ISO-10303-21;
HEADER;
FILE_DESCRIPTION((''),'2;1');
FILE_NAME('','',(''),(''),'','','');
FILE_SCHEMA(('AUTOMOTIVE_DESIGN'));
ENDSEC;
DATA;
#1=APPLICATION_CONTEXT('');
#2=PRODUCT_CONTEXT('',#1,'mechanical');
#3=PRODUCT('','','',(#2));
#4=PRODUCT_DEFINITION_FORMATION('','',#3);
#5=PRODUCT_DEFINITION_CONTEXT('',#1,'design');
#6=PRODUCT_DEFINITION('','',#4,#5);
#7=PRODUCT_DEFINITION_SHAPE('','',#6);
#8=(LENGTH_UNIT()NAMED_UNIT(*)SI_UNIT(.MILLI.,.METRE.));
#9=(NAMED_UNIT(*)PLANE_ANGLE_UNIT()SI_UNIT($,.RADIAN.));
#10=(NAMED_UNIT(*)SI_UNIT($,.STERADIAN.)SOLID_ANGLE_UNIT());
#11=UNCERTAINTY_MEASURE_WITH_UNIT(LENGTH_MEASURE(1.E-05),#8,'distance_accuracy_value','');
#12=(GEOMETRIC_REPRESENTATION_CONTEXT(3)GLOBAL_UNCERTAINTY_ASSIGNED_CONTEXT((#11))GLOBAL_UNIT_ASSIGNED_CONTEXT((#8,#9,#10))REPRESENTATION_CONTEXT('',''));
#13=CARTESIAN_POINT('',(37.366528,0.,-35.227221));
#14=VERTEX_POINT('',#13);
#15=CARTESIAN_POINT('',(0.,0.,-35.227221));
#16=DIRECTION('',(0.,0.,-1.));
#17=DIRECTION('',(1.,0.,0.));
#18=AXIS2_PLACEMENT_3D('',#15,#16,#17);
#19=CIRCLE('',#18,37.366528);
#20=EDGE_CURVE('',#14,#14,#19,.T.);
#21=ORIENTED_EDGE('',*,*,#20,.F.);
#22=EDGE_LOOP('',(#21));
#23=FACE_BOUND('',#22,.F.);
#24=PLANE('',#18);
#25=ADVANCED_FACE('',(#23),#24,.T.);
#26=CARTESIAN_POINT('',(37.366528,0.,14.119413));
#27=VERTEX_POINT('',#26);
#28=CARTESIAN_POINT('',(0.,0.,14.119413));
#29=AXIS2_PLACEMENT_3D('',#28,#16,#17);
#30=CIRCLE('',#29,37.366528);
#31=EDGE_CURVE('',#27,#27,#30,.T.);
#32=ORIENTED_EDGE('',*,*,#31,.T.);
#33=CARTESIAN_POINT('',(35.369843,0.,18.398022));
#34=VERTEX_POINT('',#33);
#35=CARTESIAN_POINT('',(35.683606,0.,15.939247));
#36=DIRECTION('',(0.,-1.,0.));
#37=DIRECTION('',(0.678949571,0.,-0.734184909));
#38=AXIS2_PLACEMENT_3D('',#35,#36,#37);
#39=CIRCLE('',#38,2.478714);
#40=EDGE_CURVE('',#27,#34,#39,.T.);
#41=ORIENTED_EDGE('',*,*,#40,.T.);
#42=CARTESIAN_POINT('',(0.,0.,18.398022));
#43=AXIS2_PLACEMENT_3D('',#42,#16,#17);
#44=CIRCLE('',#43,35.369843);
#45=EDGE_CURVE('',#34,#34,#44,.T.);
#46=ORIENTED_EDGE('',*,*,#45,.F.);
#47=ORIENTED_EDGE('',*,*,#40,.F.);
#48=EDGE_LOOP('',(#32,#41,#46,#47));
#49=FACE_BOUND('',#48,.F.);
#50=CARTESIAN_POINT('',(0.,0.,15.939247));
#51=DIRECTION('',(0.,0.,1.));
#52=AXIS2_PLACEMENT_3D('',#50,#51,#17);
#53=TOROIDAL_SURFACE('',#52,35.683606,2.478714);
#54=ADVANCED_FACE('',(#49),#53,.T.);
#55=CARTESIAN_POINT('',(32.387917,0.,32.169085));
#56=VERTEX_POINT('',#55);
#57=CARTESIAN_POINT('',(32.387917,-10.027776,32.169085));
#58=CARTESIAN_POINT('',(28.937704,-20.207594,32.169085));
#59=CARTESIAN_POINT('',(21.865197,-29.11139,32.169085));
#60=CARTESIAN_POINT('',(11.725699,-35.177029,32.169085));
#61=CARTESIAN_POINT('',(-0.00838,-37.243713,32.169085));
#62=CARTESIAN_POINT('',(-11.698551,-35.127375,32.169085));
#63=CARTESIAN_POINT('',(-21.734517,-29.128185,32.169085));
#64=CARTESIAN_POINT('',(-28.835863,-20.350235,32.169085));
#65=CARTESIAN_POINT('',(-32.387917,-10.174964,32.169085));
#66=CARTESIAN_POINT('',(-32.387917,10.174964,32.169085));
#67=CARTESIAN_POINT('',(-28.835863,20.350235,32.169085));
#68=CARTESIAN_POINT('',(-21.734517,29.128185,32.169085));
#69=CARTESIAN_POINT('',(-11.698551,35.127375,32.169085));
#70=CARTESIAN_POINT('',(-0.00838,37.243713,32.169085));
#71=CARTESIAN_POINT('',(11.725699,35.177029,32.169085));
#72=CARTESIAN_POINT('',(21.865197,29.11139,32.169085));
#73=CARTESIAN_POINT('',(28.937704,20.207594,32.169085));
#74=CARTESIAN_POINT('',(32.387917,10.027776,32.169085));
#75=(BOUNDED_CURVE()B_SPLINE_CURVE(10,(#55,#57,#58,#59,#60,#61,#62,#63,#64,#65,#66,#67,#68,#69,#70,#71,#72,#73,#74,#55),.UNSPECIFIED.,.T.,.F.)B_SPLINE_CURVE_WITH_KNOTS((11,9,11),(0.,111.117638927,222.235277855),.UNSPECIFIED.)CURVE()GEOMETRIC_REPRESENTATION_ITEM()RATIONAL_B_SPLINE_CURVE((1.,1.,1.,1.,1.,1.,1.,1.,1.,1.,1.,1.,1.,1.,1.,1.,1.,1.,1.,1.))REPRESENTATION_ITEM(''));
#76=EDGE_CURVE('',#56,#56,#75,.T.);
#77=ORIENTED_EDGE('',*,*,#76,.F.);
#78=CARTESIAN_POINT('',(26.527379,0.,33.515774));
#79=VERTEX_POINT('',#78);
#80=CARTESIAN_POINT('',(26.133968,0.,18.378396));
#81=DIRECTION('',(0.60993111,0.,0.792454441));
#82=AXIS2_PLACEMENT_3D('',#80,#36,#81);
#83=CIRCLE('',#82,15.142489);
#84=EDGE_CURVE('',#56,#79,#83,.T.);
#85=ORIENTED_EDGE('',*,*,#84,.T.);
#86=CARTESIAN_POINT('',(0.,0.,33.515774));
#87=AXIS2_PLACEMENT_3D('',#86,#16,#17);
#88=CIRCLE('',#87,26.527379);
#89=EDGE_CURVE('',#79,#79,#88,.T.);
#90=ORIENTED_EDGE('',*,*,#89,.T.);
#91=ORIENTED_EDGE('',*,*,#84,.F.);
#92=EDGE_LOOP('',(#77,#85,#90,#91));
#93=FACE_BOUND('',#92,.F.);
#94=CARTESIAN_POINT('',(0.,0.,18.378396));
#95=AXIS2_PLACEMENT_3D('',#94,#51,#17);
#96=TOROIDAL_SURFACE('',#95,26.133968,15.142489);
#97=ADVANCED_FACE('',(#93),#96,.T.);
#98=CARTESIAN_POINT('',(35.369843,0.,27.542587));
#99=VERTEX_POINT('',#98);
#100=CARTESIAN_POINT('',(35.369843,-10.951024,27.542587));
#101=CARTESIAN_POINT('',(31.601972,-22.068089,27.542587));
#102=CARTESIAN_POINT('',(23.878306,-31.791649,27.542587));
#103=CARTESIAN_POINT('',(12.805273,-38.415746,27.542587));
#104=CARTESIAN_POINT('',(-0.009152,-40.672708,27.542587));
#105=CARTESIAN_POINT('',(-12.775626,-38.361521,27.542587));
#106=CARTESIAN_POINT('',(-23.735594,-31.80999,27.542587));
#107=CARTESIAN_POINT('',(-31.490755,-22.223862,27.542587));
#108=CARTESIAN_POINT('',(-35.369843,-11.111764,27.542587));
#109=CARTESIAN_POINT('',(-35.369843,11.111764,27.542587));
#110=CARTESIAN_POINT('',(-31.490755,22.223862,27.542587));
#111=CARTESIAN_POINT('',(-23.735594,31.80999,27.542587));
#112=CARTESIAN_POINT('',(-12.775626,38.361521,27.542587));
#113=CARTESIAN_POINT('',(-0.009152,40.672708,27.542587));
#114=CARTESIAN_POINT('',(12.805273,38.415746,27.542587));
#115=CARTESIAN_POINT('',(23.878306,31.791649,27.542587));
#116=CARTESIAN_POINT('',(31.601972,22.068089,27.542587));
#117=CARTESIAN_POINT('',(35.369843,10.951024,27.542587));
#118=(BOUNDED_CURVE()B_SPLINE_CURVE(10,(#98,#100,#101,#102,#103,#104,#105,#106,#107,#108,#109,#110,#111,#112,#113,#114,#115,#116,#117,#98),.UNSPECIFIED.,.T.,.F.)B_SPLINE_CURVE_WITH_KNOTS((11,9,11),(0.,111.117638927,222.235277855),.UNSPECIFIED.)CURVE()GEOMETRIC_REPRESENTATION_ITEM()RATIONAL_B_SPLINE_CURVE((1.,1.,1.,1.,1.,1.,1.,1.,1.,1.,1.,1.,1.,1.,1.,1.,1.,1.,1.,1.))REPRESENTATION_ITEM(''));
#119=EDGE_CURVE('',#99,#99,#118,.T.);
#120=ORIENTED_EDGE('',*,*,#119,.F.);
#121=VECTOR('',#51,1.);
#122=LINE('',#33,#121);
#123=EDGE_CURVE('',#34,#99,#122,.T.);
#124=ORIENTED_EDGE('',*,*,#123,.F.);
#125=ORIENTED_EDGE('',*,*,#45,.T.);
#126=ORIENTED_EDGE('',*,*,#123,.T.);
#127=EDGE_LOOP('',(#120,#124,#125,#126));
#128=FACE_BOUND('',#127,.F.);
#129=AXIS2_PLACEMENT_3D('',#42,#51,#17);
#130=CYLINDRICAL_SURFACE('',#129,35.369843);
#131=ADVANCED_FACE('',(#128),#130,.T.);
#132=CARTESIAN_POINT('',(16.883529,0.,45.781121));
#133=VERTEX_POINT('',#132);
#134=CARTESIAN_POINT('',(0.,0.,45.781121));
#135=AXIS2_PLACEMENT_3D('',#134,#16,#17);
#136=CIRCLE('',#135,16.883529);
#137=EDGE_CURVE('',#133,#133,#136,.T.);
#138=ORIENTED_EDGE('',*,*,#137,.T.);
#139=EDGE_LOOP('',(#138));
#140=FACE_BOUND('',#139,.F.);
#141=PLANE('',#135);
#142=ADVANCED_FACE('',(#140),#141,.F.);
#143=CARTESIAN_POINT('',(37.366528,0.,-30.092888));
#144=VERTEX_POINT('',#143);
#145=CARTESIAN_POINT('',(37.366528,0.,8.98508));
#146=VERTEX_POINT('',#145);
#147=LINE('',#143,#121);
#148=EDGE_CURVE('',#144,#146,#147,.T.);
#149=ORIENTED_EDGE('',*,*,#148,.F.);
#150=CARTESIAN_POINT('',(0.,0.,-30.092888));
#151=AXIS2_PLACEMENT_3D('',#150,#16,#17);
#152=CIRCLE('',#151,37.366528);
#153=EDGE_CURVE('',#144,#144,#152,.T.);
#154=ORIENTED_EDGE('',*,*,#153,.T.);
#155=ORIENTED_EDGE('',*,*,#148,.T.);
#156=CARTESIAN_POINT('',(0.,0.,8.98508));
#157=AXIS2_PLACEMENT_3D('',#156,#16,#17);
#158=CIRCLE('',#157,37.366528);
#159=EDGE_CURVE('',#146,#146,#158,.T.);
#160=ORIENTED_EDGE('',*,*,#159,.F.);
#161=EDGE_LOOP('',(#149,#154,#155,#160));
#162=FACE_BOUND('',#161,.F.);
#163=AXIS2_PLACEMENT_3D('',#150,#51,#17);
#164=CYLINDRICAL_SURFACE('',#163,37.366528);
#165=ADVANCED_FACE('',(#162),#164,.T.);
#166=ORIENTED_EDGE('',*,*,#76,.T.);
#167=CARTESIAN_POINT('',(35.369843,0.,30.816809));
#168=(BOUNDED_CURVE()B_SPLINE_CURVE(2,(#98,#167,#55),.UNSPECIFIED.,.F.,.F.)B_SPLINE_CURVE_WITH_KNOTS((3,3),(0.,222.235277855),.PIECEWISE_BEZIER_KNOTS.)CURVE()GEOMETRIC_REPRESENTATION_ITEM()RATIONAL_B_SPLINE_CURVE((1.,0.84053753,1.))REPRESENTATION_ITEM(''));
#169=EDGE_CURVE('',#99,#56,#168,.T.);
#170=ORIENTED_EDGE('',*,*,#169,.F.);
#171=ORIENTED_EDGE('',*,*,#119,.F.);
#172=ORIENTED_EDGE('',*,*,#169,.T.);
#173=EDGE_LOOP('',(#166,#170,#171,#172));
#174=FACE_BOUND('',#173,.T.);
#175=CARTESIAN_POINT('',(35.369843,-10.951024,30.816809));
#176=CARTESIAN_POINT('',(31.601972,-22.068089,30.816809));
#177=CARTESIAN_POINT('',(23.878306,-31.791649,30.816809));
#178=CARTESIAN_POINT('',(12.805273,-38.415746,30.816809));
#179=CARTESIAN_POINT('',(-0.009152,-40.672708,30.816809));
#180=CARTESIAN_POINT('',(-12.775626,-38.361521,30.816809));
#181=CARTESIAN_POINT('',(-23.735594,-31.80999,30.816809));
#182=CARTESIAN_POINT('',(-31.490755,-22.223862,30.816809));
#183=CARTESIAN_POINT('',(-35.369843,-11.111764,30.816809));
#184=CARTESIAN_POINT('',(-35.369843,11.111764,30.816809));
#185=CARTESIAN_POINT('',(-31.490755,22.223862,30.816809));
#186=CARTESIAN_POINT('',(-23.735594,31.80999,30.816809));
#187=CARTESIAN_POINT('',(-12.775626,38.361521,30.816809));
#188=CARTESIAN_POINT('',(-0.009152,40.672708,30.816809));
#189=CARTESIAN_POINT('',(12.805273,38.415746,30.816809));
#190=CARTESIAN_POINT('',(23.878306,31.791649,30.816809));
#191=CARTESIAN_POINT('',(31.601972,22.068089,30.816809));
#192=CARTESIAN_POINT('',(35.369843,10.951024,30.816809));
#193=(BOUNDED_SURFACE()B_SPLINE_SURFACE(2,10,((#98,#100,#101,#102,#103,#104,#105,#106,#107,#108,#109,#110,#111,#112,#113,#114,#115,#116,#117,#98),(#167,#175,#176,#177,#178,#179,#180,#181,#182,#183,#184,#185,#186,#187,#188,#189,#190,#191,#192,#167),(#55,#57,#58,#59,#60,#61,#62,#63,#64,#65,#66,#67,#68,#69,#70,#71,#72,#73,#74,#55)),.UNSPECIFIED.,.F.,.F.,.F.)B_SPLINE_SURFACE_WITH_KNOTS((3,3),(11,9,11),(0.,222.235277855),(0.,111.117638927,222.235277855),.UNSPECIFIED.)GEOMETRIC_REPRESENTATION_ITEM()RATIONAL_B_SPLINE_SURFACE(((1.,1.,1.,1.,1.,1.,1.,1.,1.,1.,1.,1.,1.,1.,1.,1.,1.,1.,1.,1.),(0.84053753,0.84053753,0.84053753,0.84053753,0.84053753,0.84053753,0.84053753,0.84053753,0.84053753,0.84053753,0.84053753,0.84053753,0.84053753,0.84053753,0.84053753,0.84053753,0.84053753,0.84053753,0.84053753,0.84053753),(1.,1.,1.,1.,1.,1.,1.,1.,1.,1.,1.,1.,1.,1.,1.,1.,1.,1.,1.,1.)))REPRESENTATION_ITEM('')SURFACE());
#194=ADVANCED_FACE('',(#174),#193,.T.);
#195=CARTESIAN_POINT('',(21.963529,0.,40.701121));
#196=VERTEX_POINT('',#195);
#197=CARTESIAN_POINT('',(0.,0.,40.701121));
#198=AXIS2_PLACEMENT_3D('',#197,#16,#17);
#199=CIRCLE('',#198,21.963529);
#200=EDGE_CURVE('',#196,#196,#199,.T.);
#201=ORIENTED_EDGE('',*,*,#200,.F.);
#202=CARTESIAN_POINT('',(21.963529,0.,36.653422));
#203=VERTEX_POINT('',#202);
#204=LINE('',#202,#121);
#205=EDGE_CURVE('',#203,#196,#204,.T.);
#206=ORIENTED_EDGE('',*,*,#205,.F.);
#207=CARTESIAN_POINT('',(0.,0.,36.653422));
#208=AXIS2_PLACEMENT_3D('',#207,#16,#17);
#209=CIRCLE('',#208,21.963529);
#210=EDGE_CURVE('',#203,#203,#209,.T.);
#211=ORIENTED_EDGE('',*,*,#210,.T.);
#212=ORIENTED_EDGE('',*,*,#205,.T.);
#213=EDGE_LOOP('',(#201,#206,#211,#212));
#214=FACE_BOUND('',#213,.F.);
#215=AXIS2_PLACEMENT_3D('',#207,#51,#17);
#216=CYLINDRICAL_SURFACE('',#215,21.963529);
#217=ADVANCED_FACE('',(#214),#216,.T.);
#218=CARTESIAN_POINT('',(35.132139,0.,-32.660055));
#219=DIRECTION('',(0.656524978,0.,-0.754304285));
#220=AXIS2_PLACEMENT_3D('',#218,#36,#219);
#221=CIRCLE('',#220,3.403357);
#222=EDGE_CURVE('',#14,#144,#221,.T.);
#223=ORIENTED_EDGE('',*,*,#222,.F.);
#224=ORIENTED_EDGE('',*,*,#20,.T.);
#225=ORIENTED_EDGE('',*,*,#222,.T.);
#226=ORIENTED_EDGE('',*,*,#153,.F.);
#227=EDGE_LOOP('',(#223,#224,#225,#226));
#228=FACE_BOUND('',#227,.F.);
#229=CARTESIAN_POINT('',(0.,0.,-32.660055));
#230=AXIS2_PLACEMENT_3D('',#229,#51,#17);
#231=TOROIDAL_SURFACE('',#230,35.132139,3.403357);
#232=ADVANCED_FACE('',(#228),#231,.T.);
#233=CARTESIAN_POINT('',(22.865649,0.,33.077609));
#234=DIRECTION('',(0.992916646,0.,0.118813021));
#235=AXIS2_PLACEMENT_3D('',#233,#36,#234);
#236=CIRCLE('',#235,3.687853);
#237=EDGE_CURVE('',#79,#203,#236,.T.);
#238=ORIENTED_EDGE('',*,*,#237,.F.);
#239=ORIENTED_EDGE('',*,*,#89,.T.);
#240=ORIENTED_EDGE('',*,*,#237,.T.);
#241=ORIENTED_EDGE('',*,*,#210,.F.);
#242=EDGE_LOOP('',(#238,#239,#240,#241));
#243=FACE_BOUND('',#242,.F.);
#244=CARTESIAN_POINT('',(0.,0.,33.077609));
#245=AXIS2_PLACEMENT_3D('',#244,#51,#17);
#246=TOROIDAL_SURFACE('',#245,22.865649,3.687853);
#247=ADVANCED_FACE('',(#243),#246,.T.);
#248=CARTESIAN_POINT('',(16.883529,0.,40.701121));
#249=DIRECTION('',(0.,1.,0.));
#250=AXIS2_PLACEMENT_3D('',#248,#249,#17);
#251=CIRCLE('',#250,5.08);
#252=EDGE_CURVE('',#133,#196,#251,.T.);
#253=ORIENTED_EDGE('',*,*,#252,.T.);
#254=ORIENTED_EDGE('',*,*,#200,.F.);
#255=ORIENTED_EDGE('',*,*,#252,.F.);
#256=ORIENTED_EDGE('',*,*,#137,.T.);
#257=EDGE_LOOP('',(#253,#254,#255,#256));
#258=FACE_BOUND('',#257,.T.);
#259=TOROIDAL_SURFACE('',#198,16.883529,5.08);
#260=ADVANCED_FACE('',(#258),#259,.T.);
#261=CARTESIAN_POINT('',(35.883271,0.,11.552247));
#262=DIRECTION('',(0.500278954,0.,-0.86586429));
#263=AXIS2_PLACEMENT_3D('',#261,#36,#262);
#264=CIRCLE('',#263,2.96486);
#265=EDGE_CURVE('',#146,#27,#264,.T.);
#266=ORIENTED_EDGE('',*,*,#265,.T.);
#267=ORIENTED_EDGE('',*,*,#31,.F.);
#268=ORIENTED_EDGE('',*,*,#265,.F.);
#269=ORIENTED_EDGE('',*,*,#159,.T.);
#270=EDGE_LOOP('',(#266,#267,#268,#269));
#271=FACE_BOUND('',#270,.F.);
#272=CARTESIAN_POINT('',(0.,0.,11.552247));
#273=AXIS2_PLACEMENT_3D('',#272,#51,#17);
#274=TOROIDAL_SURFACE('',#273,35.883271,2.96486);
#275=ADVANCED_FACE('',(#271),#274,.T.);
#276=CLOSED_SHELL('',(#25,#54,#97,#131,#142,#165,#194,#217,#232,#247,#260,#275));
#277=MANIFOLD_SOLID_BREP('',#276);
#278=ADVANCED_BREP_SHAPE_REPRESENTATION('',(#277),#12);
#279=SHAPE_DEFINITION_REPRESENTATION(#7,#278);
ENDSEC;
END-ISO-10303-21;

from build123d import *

# Parameters (mm, degrees)
F2_R = 5.08


with BuildPart() as f1:
    # F0 (on Front) → F1 (revolve)
    with BuildSketch(Plane.XZ):
        with BuildLine():
            Line((21.963529, 45.781121), (0, 45.781121))
            Line((0, 45.781121), (0, -35.227221))
            Line((0, -35.227221), (37.366528, -35.227221))
            ThreePointArc((37.366528, -35.227221), (38.535496, -32.660054), (37.366528, -30.092888))
            Line((37.366528, -30.092888), (37.366528, 8.98508))
            ThreePointArc((37.366528, 8.98508), (38.848131, 11.552246), (37.366528, 14.119413))
            ThreePointArc((37.366528, 14.119413), (37.929775, 16.987459), (35.369843, 18.398022))
            Line((35.369843, 18.398022), (35.369843, 30.378129))
            ThreePointArc((35.369843, 30.378129), (31.19776, 32.6491), (26.527379, 33.515774))
            ThreePointArc((26.527379, 33.515774), (24.954924, 36.116554), (21.963529, 36.653422))
            Line((21.963529, 36.653422), (21.963529, 45.781121))
        make_face()
    revolve(axis=Axis((0, 0, 5.27695), (0, 0, -1)))

    # F2
    f2_edges = [f1.edges().sort_by_distance(p)[0] for p in [
        (-21.963529, 0, 45.781121),
        (-35.369843, 0, 30.378129),
    ]]
    fillet(f2_edges, radius=F2_R)


solid = f1.part
